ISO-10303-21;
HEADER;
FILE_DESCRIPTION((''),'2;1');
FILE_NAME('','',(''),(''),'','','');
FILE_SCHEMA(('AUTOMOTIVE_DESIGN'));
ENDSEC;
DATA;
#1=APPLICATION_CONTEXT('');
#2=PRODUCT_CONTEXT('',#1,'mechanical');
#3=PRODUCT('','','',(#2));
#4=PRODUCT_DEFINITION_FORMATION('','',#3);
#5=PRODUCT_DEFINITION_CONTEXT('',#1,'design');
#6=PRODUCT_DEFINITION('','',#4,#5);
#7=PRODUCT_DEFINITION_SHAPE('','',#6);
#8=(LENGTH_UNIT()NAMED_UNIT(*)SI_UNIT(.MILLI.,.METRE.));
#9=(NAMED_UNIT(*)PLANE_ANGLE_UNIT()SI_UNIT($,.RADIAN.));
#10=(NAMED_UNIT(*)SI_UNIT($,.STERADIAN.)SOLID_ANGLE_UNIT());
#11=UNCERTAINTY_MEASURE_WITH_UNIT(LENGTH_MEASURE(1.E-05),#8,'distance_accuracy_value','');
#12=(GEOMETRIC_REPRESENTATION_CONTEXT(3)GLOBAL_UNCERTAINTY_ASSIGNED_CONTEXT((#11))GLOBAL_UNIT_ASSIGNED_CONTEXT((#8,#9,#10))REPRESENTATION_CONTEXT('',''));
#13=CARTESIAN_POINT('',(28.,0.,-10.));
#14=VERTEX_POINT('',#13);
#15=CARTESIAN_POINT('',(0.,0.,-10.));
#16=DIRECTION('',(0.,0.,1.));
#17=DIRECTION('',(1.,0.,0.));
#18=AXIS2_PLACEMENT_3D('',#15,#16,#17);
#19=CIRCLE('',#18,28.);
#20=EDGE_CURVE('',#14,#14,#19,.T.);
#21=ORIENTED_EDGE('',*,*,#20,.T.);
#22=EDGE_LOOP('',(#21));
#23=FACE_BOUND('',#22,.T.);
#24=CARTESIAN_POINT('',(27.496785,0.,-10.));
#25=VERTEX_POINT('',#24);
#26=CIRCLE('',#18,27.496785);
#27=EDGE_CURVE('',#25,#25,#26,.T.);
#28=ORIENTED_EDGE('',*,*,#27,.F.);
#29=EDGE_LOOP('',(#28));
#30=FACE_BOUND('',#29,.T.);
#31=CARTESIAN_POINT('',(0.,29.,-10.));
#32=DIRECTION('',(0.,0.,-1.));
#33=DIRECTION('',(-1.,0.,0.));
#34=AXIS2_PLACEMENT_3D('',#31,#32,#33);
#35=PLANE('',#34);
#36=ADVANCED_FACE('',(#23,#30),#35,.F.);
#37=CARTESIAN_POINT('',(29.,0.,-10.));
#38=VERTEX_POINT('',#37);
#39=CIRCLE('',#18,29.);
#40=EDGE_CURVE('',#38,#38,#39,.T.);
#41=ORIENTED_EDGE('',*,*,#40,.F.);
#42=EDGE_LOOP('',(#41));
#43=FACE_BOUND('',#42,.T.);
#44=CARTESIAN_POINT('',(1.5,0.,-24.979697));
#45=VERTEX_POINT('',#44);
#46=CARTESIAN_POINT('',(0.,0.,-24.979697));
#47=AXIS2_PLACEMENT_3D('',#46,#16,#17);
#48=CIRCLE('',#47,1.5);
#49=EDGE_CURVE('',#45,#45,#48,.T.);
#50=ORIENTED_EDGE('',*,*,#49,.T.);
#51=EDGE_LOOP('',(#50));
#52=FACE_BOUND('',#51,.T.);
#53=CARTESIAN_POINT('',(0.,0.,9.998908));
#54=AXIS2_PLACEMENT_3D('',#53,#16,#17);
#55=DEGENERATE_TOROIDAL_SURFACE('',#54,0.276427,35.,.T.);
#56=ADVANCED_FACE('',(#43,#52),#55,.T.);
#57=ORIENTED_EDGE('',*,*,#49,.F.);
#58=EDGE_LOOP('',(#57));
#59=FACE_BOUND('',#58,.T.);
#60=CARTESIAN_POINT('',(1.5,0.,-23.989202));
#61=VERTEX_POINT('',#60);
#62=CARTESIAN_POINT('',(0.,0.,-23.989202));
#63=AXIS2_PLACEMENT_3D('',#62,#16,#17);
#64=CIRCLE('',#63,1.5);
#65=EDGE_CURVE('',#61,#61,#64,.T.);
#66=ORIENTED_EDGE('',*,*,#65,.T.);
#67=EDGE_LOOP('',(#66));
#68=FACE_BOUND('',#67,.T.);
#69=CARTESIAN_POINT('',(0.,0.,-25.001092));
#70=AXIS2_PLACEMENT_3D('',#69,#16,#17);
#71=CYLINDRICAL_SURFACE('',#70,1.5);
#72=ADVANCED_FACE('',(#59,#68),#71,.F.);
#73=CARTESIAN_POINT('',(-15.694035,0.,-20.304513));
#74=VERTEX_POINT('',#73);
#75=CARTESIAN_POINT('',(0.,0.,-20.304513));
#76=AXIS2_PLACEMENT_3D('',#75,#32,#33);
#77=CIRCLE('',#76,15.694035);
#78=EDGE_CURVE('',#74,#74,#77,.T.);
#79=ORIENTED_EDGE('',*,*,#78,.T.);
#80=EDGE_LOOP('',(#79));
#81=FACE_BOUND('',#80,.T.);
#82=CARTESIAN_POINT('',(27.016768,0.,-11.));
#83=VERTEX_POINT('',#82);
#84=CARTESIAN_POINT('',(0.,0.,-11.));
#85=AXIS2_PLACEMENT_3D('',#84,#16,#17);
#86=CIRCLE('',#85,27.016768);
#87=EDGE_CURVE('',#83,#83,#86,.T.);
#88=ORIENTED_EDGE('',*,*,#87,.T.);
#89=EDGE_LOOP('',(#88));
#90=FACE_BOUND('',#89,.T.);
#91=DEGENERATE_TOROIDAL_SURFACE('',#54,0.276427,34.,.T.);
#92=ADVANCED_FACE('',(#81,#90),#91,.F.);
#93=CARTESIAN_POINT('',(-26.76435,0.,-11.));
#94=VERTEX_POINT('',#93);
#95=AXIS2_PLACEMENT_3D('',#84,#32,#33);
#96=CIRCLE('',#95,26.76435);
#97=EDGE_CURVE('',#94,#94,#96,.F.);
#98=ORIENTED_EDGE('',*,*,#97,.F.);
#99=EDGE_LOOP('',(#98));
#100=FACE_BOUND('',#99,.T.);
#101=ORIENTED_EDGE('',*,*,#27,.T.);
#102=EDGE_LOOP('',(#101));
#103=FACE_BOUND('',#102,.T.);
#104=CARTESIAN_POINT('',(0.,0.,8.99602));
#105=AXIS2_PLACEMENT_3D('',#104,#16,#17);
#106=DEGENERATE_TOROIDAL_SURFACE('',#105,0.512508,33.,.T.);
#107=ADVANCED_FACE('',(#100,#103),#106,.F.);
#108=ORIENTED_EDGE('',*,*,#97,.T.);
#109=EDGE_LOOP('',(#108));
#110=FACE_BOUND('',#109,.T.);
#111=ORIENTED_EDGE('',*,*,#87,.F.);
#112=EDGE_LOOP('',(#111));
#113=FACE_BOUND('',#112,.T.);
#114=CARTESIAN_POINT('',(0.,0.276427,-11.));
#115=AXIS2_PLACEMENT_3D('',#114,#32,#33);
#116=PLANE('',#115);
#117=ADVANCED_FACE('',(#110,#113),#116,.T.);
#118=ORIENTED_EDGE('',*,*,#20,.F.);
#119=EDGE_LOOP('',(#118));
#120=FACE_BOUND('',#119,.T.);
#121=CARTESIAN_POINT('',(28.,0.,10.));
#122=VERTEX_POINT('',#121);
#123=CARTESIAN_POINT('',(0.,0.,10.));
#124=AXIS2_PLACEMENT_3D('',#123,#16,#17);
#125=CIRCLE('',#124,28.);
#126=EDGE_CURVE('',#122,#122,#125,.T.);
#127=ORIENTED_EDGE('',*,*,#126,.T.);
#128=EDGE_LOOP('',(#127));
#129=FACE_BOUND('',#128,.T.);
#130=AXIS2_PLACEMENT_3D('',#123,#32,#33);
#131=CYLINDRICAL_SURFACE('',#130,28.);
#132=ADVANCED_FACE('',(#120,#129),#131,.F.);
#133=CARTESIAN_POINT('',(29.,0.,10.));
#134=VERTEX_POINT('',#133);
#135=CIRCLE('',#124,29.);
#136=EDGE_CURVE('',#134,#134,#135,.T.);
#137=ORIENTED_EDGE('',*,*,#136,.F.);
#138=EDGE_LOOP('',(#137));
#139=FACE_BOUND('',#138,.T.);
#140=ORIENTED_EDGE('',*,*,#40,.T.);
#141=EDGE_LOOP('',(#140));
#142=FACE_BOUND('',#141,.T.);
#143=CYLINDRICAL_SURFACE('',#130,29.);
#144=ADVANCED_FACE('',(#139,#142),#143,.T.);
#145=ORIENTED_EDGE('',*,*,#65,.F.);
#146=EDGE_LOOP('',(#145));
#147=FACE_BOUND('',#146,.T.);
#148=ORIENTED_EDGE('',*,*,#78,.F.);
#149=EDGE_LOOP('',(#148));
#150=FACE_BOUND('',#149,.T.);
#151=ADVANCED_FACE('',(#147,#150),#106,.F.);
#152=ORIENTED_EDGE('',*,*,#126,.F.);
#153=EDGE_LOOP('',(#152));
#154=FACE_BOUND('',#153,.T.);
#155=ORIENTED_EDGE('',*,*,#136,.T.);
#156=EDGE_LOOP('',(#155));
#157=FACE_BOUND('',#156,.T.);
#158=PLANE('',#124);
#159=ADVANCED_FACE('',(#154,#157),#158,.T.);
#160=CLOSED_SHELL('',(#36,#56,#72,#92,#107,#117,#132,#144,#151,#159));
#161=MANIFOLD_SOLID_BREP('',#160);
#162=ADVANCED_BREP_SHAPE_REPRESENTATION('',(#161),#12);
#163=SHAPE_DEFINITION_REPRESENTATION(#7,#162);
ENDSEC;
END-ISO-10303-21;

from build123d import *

# Parameters (mm, degrees)
SKETCH1_R           = 29
SKETCH1_R_2         = 28
EXTRUDE_THIN1_DEPTH = 10
SKETCH16_R          = 1.5
CUT_EXTRUDE2_DEPTH  = 26.001091713
SKETCH6_R           = 1.5
CUT_EXTRUDE1_DEPTH  = 1


with BuildPart() as part:
    # Sketch1 → Extrude-Thin1 (new body, symmetric)
    with BuildSketch(Plane.XY):
        Circle(SKETCH1_R)
        Circle(SKETCH1_R_2, mode=Mode.SUBTRACT)
    extrude(amount=EXTRUDE_THIN1_DEPTH, both=True)

    # Sketch5 → Revolve-Thin4 (revolve)
    with BuildSketch(Plane(origin=(0, 0, 0), x_dir=(0, 0, -1), z_dir=(1, 0, 0))):
        with BuildLine():
            Line((10, 29), (10, 0))
            Line((10, 0), (25, 0))
            ThreePointArc((25, 0), (21.088709123, 16.356228857), (10, 29))
        make_face()
        with BuildLine():
            Line((11, 27.016767879), (11, 1))
            Line((11, 1), (23.993391354, 1))
            ThreePointArc((23.993391354, 1), (20.418624313, 15.467664449), (11, 27.016767879))
        make_face(mode=Mode.SUBTRACT)
    revolve(axis=Axis((0, 0, 0), (0, 0, -1)))

    # Sketch7 → Cut-Revolve1 (revolve, cut)
    with BuildSketch(Plane(origin=(0, 0, 0), x_dir=(0, 0, -1), z_dir=(1, 0, 0))):
        with BuildLine():
            Line((10, 0), (24, 0))
            ThreePointArc((24, 0), (20.411655154, 15.485438383), (10, 27.496785417))
            Line((10, 27.496785417), (10, 0))
        make_face()
    revolve(axis=Axis((0, 0, -10), (0, 0, -1)), mode=Mode.SUBTRACT)

    # Sketch16 → Cut-Extrude2 (cut, through all)
    with BuildSketch(Plane.XY):
        Circle(SKETCH16_R)
    extrude(amount=-CUT_EXTRUDE2_DEPTH, mode=Mode.SUBTRACT)

    # Sketch6 → Cut-Extrude1 (cut)
    with BuildSketch(Plane.XY.offset(-10)):
        Circle(SKETCH6_R)
    extrude(amount=-CUT_EXTRUDE1_DEPTH, mode=Mode.SUBTRACT)


solid = part.part
